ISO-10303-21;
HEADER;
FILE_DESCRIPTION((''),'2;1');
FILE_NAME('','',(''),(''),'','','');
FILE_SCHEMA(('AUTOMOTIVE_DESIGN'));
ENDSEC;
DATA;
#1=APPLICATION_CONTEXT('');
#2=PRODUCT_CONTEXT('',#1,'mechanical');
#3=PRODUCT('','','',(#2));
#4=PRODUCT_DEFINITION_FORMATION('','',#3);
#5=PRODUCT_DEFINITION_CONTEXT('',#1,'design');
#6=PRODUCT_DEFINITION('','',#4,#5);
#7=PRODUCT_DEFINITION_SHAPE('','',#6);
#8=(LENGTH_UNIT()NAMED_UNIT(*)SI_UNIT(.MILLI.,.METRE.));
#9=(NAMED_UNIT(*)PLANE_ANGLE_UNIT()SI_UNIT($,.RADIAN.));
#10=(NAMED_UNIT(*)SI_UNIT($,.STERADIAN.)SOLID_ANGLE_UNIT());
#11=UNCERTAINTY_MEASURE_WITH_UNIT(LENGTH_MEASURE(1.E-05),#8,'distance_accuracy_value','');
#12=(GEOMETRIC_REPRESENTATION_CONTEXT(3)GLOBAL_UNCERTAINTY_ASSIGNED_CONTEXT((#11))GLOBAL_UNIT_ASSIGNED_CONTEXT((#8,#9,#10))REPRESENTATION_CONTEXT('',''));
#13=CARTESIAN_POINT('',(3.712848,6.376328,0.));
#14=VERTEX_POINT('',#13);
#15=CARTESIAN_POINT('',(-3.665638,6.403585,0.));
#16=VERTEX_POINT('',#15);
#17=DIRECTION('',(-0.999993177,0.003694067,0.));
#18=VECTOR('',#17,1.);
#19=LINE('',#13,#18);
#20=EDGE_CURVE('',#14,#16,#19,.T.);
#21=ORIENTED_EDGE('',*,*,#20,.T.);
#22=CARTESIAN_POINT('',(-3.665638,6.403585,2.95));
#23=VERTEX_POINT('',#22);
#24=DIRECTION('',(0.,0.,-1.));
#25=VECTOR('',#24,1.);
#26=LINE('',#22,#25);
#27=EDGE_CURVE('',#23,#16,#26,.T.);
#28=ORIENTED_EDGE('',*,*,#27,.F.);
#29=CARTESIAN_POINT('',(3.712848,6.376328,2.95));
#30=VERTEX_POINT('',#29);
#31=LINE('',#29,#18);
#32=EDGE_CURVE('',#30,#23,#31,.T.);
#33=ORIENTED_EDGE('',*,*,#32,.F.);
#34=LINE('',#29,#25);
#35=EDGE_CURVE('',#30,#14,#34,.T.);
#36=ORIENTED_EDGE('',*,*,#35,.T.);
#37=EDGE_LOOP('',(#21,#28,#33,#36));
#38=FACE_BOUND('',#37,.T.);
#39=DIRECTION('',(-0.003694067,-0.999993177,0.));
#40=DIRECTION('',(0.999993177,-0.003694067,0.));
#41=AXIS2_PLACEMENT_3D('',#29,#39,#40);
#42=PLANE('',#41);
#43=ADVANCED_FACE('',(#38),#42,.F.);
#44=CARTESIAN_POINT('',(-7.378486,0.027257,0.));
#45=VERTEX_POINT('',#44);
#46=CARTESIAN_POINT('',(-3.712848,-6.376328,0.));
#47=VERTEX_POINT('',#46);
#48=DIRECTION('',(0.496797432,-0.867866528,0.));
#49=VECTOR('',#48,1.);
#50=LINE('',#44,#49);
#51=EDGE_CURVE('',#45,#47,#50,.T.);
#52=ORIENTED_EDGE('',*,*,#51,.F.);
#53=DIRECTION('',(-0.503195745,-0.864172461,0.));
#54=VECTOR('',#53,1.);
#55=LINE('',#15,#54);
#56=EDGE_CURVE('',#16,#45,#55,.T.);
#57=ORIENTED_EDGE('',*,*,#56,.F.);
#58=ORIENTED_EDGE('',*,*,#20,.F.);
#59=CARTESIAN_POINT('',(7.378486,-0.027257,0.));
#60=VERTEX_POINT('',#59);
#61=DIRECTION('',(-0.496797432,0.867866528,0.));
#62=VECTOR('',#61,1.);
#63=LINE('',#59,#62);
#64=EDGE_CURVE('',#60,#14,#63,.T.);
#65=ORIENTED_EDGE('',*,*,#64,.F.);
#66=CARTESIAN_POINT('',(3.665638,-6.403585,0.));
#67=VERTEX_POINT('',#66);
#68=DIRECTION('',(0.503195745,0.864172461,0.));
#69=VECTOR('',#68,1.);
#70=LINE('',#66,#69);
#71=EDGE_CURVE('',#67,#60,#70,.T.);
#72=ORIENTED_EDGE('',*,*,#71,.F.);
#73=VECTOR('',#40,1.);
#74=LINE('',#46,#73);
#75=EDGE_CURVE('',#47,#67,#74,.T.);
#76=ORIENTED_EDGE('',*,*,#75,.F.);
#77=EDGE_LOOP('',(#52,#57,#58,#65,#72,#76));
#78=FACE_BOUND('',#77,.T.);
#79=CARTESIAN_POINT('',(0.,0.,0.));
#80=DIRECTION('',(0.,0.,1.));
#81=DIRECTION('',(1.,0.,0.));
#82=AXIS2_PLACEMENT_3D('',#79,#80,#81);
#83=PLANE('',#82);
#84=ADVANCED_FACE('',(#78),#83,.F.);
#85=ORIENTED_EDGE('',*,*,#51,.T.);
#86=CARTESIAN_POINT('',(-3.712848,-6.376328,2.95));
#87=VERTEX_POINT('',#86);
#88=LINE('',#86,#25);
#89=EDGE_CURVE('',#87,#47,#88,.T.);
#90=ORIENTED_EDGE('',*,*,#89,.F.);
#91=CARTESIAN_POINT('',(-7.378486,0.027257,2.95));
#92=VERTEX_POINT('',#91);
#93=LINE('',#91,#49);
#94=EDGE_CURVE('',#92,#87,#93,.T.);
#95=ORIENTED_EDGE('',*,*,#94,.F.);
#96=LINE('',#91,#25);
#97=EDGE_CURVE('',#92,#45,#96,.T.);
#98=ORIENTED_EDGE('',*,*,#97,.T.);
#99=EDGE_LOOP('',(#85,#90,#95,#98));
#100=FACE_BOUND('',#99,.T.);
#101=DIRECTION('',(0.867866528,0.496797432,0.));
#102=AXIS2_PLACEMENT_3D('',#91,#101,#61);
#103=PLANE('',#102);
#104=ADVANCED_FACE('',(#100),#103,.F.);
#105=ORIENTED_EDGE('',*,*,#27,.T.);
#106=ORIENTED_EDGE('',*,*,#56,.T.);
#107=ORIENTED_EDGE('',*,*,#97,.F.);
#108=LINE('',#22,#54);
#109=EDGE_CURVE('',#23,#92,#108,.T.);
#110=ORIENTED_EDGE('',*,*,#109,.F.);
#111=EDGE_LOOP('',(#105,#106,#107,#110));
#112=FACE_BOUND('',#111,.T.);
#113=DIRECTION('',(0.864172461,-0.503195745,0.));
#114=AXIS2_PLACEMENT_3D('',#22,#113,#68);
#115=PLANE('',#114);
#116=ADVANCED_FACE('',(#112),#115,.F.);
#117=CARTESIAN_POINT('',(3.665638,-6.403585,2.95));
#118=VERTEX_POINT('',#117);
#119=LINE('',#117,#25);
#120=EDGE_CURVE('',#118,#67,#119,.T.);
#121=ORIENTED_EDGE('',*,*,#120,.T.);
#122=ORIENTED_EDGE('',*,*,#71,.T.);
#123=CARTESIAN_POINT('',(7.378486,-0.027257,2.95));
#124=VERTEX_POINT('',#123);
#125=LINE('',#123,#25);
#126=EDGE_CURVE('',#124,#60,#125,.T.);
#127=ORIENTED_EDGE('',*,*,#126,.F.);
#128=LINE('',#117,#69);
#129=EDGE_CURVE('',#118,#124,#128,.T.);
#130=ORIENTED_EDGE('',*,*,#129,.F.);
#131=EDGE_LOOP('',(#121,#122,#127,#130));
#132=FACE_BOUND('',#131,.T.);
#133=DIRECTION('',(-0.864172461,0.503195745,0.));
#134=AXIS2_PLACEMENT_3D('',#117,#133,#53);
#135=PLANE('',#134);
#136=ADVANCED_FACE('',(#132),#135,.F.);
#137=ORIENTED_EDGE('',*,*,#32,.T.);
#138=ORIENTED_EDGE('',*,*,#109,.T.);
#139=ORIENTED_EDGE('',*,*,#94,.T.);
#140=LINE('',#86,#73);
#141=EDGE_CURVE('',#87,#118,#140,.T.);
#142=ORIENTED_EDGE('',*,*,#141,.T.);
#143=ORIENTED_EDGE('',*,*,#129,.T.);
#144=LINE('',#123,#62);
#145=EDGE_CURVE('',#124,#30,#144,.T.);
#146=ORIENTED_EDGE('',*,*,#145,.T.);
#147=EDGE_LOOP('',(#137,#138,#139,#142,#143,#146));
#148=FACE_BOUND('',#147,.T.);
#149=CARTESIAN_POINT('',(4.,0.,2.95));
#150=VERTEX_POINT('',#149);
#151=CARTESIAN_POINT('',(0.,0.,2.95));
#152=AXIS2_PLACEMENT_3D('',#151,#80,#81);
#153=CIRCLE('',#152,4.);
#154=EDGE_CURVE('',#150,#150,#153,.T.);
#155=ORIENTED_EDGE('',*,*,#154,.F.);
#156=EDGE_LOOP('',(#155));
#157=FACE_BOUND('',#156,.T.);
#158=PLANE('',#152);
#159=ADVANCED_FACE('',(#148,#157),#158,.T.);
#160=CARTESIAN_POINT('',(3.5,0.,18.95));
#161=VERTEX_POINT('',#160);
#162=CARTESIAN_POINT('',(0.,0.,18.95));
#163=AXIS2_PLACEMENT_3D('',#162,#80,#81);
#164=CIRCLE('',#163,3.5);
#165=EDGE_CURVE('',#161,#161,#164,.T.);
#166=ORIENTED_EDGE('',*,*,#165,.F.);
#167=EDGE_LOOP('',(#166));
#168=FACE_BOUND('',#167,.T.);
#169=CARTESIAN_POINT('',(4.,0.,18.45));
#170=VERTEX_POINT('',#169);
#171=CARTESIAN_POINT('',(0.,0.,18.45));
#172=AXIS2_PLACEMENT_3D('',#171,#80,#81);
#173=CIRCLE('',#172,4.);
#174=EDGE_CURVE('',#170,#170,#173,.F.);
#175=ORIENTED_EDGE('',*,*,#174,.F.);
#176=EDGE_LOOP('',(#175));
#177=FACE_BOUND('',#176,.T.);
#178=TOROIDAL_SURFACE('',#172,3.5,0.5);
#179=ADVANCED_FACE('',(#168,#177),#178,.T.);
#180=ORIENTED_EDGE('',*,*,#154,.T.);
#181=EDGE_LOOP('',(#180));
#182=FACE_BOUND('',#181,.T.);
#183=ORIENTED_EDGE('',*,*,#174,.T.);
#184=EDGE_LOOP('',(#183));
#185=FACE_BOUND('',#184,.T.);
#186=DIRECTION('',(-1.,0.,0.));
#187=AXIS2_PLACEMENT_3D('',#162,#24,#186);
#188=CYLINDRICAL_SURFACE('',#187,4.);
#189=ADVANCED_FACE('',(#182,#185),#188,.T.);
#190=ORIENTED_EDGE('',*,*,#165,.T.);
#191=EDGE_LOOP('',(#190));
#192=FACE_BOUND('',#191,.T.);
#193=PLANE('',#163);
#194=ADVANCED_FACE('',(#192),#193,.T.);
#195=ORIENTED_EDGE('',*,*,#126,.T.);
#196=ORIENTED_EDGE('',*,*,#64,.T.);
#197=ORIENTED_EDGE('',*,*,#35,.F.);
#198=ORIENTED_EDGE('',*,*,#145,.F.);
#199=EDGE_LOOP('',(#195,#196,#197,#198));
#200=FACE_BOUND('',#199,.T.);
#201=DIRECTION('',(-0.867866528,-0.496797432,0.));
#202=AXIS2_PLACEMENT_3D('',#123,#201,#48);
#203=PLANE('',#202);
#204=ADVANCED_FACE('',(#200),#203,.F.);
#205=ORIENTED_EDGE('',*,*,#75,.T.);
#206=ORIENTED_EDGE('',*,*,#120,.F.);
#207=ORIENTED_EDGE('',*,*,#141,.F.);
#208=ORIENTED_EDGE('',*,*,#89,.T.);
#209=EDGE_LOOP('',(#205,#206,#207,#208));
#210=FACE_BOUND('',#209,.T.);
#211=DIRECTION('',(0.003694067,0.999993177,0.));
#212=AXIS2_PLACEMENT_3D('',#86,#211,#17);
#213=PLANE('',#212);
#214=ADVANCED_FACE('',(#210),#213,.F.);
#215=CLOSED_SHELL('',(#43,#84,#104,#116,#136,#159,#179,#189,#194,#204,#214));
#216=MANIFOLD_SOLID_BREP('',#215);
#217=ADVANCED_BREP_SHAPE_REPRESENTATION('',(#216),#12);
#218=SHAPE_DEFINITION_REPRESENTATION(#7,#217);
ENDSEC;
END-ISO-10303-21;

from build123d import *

# Parameters (mm, degrees)
Y_KSEKLIK_EKSTR_ZYON1_DEPTH = 2.95
IZIM3_R                     = 4
Y_KSEKLIK_EKSTR_ZYON2_DEPTH = 16
RADYUS3_R                   = 0.5


with BuildPart() as part:
    # Çizim2 → Yükseklik-Ekstrüzyon1 (new body)
    with BuildSketch(Plane.XY):
        Polygon((3.712848138, 6.376327996), (-3.665637958, 6.403584805), (-7.378486096, 0.02725681), (-3.712848138, -6.376327996), (3.665637958, -6.403584805), (7.378486096, -0.02725681), align=None)
    extrude(amount=Y_KSEKLIK_EKSTR_ZYON1_DEPTH)

    # Çizim3 → Yükseklik-Ekstrüzyon2 (add)
    with BuildSketch(Plane.XY.offset(2.95)):
        Circle(IZIM3_R)
    extrude(amount=Y_KSEKLIK_EKSTR_ZYON2_DEPTH)

    # Radyus3
    radyus3_edges = [part.edges().sort_by_distance(p)[0] for p in [
        (-4, 0, 18.95),
    ]]
    fillet(radyus3_edges, radius=RADYUS3_R)


solid = part.part
